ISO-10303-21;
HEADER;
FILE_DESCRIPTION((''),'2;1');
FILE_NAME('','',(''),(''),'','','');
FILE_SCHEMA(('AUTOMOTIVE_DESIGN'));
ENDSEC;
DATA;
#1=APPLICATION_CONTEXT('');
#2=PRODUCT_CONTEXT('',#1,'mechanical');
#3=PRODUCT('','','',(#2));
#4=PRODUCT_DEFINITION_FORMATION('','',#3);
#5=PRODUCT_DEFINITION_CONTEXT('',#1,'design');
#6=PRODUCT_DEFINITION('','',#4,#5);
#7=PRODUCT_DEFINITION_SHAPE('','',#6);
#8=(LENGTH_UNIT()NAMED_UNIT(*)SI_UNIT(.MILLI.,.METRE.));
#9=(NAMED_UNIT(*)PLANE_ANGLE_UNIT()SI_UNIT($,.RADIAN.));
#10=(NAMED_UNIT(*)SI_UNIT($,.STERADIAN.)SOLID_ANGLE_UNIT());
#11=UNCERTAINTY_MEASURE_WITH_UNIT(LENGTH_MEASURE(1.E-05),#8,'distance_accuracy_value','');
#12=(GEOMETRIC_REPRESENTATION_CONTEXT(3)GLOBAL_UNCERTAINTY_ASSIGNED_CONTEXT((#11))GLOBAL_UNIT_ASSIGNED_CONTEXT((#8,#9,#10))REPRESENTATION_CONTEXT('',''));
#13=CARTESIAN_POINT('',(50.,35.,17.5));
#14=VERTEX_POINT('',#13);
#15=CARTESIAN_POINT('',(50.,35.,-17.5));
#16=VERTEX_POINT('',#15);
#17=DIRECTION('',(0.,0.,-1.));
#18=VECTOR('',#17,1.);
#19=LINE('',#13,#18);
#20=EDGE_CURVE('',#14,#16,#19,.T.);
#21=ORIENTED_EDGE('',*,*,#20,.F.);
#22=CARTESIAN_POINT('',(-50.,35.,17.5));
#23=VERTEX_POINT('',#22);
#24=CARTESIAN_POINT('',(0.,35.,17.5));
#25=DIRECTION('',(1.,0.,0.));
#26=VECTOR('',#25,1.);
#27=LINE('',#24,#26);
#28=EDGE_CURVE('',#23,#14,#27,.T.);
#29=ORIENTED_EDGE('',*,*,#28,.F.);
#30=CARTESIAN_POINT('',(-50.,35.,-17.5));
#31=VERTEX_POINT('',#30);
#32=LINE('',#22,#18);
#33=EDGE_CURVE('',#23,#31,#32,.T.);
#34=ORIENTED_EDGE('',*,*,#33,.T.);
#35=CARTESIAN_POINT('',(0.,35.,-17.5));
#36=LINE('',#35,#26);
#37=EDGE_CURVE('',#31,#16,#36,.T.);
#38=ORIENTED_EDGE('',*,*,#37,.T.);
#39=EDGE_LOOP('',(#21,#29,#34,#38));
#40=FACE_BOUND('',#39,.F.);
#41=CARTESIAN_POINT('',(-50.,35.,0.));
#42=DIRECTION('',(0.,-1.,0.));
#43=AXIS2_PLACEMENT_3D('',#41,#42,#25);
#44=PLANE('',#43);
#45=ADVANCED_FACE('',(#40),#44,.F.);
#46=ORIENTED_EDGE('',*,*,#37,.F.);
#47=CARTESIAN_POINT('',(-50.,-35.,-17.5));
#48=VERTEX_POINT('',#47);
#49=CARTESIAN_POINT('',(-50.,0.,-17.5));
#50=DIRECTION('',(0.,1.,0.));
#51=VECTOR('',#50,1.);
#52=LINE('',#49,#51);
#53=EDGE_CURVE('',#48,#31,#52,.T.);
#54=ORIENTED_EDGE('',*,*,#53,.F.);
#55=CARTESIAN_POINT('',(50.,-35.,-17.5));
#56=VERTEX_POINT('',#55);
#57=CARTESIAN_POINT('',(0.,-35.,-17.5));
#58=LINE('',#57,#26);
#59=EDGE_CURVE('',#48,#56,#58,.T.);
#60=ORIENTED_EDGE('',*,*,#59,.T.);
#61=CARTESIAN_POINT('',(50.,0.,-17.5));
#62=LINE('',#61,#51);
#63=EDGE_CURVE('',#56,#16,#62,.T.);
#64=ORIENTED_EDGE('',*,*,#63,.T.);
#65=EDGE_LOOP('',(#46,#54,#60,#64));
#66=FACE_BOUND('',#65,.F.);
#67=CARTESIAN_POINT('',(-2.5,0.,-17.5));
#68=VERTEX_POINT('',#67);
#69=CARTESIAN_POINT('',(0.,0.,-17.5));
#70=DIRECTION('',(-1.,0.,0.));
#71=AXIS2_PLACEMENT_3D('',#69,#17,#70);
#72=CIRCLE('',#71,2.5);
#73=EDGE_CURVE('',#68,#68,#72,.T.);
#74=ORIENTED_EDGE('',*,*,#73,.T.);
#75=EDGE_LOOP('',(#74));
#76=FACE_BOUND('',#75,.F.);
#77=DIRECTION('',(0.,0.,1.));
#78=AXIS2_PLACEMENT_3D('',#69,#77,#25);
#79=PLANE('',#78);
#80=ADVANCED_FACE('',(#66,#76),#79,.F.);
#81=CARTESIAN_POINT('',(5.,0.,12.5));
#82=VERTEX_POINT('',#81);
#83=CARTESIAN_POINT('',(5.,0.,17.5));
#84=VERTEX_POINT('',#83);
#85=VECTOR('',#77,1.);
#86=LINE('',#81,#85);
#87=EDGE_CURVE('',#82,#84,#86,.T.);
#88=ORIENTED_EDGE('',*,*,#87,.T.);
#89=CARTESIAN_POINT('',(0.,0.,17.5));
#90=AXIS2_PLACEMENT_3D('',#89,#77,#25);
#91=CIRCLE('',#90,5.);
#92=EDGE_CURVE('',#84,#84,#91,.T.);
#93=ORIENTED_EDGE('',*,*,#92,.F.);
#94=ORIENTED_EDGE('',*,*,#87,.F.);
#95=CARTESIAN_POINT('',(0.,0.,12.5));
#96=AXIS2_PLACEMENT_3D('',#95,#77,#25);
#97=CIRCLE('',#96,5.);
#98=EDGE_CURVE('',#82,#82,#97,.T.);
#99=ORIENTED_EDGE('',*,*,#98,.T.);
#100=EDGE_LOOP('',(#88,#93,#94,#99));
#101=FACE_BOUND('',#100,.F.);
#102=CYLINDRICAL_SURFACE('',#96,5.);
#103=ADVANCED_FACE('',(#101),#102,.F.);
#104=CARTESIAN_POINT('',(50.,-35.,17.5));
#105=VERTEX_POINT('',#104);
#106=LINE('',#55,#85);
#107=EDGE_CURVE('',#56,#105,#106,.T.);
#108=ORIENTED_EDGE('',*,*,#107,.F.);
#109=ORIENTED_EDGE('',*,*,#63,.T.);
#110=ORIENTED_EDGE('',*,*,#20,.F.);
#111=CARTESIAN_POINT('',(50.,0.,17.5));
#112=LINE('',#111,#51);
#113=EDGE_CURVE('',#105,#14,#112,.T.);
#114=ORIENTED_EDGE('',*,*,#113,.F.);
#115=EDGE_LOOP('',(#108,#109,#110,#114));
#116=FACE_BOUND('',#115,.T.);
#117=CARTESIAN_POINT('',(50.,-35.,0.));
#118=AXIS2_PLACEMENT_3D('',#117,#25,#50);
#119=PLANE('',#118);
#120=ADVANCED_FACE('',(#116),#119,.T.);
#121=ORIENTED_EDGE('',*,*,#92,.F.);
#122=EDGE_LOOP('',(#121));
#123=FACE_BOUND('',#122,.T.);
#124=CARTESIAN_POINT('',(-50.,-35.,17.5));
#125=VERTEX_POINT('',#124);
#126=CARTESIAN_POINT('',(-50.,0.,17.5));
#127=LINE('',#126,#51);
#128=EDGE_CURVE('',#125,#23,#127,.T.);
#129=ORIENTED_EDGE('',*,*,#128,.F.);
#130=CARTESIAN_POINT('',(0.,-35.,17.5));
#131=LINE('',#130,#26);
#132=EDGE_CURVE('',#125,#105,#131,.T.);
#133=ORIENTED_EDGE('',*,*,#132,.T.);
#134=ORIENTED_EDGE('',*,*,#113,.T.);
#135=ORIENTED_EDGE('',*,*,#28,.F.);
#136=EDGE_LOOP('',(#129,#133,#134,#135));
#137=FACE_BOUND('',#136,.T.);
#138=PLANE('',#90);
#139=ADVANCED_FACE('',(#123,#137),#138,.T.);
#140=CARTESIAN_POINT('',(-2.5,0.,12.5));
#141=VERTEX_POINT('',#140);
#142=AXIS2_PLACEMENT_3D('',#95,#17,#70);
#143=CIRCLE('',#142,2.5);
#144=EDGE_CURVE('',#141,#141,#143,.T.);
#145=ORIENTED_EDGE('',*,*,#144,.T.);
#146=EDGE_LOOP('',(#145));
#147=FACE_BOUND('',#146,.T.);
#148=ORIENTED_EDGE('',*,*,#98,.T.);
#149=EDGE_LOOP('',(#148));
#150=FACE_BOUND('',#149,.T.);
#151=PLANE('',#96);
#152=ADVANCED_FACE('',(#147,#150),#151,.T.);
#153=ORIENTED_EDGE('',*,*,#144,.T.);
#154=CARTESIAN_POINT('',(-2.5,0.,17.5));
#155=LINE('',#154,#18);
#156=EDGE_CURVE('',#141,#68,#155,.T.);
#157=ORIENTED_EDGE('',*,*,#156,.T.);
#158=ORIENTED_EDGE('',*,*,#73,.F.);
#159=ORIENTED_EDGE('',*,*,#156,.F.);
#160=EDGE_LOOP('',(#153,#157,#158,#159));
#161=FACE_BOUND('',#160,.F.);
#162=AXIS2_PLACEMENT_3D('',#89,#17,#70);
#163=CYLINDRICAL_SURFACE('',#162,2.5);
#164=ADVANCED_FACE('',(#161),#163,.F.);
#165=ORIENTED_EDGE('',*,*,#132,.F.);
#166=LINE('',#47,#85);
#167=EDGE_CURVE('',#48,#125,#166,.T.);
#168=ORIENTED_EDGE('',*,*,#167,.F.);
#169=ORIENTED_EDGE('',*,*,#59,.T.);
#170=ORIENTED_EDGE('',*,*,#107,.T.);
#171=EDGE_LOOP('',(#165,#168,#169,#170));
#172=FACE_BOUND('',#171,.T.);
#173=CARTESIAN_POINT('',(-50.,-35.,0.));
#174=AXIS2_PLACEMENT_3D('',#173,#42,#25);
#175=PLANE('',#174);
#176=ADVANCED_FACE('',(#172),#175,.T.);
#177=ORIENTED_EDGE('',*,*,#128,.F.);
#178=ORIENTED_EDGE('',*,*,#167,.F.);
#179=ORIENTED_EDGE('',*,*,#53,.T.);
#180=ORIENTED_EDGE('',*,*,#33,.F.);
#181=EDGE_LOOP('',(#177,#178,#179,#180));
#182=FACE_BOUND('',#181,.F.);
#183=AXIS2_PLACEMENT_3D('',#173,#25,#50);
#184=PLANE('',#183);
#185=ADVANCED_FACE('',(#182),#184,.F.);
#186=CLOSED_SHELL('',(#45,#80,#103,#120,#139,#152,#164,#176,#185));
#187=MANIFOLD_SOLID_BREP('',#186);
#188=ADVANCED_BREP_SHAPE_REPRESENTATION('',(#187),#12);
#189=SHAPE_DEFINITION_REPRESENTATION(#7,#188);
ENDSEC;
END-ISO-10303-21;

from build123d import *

# Parameters (mm, degrees)
F0_W           = 100
F0_H           = 70
F1_DEPTH       = 17.5
F4_D           = 5
F4_CBORE_D     = 10
F4_CBORE_DEPTH = 5


with BuildPart() as f1:
    # F0 (on Top) → F1 (new body, symmetric)
    with BuildSketch(Plane.XY):
        Rectangle(F0_W, F0_H)
    extrude(amount=F1_DEPTH, both=True)

    # F4 (through all)
    with Locations(Plane.XY.offset(17.5)):
        with Locations((0, 0)):
            CounterBoreHole(F4_D / 2, F4_CBORE_D / 2, F4_CBORE_DEPTH)


solid = f1.part
